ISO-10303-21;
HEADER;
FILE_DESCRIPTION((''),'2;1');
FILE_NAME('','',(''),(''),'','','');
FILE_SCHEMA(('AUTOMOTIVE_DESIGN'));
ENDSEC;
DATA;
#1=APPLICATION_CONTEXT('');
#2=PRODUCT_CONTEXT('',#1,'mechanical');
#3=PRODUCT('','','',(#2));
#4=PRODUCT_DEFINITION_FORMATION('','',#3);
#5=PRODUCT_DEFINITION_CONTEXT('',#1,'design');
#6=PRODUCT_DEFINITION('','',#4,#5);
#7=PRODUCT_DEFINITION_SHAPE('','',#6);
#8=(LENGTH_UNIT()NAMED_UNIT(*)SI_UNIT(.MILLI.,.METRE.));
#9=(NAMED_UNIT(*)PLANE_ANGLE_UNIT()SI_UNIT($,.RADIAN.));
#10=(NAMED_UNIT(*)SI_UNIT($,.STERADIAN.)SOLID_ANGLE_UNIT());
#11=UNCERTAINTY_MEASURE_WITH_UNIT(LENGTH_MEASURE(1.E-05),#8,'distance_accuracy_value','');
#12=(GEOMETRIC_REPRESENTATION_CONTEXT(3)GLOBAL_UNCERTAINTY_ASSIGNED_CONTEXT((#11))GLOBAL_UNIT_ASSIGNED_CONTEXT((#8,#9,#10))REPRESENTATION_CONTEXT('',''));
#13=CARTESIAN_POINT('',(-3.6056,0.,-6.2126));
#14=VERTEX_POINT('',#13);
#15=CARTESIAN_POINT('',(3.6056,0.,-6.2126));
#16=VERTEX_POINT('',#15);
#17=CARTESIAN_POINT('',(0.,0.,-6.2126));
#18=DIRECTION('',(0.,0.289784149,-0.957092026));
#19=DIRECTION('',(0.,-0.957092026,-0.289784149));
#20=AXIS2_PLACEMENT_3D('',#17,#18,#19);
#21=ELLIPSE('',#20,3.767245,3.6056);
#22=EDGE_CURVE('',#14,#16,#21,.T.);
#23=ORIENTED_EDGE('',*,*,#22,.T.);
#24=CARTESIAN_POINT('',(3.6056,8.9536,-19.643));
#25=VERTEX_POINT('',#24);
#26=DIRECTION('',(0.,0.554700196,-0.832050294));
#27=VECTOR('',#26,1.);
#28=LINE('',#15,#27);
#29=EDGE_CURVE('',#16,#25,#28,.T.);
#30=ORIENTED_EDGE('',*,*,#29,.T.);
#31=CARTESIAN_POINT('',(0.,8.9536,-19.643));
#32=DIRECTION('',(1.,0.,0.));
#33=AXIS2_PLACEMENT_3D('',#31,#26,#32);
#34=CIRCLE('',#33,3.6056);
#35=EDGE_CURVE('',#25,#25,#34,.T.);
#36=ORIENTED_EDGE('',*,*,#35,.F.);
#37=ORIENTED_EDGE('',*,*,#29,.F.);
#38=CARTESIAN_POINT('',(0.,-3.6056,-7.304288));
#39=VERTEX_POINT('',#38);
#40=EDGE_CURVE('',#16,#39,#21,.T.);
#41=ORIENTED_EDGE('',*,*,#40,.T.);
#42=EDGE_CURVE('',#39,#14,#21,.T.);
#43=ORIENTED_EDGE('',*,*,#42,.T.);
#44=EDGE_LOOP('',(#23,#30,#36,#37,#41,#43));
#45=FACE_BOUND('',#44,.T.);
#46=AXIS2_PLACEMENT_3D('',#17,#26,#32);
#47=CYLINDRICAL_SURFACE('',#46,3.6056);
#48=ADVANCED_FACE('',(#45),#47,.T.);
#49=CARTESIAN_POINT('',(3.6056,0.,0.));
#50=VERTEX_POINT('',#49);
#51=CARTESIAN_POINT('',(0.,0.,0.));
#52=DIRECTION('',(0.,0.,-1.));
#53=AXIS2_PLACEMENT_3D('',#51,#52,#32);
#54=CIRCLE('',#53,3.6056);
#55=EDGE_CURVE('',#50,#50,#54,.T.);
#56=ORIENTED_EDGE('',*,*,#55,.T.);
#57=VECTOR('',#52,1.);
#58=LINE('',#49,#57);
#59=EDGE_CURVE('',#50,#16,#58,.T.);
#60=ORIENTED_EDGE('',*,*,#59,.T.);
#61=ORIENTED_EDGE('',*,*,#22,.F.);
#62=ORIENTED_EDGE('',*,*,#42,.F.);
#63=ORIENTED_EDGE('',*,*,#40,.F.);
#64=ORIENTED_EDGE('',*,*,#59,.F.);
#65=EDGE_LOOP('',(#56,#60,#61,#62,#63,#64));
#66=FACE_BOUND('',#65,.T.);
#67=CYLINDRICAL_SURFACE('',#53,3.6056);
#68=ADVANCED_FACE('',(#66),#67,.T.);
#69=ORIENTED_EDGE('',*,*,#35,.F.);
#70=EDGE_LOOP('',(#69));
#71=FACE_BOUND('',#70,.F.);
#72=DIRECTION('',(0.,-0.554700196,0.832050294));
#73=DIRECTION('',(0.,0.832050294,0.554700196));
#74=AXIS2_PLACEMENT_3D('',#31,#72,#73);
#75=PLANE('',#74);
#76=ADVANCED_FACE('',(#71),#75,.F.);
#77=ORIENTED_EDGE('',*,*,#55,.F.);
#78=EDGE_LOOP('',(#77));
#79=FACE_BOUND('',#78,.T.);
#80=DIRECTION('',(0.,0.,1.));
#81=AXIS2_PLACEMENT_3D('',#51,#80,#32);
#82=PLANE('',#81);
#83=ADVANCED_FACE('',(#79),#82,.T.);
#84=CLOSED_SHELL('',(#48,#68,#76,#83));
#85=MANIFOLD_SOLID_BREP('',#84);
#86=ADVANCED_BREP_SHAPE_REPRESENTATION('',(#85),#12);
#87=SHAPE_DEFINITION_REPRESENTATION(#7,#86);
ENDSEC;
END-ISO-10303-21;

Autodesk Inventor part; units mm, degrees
ref_plane "XZ Plane" through (0, 0, 0) normal (0, 1, 0) x (-1, 0, 0)
sketch "Esboço1" plane through (0, 0, 0) normal (0, 0, 1) x (1, 0, 0)
  circle A0 centre (0, 0) radius 3.6056
sketch "Esboço2" plane through (0, 0, 0) normal (1, 0, 0) x (0, 1, 0)
  line L0 (0, 0) -> (0, -6.2126)
  line L1 (0, -6.2126) -> (8.9536, -19.643)
sweep "Varredura1" add profiles "Esboço1" path "Esboço2"
properties part number "Sweep_0001_001"
